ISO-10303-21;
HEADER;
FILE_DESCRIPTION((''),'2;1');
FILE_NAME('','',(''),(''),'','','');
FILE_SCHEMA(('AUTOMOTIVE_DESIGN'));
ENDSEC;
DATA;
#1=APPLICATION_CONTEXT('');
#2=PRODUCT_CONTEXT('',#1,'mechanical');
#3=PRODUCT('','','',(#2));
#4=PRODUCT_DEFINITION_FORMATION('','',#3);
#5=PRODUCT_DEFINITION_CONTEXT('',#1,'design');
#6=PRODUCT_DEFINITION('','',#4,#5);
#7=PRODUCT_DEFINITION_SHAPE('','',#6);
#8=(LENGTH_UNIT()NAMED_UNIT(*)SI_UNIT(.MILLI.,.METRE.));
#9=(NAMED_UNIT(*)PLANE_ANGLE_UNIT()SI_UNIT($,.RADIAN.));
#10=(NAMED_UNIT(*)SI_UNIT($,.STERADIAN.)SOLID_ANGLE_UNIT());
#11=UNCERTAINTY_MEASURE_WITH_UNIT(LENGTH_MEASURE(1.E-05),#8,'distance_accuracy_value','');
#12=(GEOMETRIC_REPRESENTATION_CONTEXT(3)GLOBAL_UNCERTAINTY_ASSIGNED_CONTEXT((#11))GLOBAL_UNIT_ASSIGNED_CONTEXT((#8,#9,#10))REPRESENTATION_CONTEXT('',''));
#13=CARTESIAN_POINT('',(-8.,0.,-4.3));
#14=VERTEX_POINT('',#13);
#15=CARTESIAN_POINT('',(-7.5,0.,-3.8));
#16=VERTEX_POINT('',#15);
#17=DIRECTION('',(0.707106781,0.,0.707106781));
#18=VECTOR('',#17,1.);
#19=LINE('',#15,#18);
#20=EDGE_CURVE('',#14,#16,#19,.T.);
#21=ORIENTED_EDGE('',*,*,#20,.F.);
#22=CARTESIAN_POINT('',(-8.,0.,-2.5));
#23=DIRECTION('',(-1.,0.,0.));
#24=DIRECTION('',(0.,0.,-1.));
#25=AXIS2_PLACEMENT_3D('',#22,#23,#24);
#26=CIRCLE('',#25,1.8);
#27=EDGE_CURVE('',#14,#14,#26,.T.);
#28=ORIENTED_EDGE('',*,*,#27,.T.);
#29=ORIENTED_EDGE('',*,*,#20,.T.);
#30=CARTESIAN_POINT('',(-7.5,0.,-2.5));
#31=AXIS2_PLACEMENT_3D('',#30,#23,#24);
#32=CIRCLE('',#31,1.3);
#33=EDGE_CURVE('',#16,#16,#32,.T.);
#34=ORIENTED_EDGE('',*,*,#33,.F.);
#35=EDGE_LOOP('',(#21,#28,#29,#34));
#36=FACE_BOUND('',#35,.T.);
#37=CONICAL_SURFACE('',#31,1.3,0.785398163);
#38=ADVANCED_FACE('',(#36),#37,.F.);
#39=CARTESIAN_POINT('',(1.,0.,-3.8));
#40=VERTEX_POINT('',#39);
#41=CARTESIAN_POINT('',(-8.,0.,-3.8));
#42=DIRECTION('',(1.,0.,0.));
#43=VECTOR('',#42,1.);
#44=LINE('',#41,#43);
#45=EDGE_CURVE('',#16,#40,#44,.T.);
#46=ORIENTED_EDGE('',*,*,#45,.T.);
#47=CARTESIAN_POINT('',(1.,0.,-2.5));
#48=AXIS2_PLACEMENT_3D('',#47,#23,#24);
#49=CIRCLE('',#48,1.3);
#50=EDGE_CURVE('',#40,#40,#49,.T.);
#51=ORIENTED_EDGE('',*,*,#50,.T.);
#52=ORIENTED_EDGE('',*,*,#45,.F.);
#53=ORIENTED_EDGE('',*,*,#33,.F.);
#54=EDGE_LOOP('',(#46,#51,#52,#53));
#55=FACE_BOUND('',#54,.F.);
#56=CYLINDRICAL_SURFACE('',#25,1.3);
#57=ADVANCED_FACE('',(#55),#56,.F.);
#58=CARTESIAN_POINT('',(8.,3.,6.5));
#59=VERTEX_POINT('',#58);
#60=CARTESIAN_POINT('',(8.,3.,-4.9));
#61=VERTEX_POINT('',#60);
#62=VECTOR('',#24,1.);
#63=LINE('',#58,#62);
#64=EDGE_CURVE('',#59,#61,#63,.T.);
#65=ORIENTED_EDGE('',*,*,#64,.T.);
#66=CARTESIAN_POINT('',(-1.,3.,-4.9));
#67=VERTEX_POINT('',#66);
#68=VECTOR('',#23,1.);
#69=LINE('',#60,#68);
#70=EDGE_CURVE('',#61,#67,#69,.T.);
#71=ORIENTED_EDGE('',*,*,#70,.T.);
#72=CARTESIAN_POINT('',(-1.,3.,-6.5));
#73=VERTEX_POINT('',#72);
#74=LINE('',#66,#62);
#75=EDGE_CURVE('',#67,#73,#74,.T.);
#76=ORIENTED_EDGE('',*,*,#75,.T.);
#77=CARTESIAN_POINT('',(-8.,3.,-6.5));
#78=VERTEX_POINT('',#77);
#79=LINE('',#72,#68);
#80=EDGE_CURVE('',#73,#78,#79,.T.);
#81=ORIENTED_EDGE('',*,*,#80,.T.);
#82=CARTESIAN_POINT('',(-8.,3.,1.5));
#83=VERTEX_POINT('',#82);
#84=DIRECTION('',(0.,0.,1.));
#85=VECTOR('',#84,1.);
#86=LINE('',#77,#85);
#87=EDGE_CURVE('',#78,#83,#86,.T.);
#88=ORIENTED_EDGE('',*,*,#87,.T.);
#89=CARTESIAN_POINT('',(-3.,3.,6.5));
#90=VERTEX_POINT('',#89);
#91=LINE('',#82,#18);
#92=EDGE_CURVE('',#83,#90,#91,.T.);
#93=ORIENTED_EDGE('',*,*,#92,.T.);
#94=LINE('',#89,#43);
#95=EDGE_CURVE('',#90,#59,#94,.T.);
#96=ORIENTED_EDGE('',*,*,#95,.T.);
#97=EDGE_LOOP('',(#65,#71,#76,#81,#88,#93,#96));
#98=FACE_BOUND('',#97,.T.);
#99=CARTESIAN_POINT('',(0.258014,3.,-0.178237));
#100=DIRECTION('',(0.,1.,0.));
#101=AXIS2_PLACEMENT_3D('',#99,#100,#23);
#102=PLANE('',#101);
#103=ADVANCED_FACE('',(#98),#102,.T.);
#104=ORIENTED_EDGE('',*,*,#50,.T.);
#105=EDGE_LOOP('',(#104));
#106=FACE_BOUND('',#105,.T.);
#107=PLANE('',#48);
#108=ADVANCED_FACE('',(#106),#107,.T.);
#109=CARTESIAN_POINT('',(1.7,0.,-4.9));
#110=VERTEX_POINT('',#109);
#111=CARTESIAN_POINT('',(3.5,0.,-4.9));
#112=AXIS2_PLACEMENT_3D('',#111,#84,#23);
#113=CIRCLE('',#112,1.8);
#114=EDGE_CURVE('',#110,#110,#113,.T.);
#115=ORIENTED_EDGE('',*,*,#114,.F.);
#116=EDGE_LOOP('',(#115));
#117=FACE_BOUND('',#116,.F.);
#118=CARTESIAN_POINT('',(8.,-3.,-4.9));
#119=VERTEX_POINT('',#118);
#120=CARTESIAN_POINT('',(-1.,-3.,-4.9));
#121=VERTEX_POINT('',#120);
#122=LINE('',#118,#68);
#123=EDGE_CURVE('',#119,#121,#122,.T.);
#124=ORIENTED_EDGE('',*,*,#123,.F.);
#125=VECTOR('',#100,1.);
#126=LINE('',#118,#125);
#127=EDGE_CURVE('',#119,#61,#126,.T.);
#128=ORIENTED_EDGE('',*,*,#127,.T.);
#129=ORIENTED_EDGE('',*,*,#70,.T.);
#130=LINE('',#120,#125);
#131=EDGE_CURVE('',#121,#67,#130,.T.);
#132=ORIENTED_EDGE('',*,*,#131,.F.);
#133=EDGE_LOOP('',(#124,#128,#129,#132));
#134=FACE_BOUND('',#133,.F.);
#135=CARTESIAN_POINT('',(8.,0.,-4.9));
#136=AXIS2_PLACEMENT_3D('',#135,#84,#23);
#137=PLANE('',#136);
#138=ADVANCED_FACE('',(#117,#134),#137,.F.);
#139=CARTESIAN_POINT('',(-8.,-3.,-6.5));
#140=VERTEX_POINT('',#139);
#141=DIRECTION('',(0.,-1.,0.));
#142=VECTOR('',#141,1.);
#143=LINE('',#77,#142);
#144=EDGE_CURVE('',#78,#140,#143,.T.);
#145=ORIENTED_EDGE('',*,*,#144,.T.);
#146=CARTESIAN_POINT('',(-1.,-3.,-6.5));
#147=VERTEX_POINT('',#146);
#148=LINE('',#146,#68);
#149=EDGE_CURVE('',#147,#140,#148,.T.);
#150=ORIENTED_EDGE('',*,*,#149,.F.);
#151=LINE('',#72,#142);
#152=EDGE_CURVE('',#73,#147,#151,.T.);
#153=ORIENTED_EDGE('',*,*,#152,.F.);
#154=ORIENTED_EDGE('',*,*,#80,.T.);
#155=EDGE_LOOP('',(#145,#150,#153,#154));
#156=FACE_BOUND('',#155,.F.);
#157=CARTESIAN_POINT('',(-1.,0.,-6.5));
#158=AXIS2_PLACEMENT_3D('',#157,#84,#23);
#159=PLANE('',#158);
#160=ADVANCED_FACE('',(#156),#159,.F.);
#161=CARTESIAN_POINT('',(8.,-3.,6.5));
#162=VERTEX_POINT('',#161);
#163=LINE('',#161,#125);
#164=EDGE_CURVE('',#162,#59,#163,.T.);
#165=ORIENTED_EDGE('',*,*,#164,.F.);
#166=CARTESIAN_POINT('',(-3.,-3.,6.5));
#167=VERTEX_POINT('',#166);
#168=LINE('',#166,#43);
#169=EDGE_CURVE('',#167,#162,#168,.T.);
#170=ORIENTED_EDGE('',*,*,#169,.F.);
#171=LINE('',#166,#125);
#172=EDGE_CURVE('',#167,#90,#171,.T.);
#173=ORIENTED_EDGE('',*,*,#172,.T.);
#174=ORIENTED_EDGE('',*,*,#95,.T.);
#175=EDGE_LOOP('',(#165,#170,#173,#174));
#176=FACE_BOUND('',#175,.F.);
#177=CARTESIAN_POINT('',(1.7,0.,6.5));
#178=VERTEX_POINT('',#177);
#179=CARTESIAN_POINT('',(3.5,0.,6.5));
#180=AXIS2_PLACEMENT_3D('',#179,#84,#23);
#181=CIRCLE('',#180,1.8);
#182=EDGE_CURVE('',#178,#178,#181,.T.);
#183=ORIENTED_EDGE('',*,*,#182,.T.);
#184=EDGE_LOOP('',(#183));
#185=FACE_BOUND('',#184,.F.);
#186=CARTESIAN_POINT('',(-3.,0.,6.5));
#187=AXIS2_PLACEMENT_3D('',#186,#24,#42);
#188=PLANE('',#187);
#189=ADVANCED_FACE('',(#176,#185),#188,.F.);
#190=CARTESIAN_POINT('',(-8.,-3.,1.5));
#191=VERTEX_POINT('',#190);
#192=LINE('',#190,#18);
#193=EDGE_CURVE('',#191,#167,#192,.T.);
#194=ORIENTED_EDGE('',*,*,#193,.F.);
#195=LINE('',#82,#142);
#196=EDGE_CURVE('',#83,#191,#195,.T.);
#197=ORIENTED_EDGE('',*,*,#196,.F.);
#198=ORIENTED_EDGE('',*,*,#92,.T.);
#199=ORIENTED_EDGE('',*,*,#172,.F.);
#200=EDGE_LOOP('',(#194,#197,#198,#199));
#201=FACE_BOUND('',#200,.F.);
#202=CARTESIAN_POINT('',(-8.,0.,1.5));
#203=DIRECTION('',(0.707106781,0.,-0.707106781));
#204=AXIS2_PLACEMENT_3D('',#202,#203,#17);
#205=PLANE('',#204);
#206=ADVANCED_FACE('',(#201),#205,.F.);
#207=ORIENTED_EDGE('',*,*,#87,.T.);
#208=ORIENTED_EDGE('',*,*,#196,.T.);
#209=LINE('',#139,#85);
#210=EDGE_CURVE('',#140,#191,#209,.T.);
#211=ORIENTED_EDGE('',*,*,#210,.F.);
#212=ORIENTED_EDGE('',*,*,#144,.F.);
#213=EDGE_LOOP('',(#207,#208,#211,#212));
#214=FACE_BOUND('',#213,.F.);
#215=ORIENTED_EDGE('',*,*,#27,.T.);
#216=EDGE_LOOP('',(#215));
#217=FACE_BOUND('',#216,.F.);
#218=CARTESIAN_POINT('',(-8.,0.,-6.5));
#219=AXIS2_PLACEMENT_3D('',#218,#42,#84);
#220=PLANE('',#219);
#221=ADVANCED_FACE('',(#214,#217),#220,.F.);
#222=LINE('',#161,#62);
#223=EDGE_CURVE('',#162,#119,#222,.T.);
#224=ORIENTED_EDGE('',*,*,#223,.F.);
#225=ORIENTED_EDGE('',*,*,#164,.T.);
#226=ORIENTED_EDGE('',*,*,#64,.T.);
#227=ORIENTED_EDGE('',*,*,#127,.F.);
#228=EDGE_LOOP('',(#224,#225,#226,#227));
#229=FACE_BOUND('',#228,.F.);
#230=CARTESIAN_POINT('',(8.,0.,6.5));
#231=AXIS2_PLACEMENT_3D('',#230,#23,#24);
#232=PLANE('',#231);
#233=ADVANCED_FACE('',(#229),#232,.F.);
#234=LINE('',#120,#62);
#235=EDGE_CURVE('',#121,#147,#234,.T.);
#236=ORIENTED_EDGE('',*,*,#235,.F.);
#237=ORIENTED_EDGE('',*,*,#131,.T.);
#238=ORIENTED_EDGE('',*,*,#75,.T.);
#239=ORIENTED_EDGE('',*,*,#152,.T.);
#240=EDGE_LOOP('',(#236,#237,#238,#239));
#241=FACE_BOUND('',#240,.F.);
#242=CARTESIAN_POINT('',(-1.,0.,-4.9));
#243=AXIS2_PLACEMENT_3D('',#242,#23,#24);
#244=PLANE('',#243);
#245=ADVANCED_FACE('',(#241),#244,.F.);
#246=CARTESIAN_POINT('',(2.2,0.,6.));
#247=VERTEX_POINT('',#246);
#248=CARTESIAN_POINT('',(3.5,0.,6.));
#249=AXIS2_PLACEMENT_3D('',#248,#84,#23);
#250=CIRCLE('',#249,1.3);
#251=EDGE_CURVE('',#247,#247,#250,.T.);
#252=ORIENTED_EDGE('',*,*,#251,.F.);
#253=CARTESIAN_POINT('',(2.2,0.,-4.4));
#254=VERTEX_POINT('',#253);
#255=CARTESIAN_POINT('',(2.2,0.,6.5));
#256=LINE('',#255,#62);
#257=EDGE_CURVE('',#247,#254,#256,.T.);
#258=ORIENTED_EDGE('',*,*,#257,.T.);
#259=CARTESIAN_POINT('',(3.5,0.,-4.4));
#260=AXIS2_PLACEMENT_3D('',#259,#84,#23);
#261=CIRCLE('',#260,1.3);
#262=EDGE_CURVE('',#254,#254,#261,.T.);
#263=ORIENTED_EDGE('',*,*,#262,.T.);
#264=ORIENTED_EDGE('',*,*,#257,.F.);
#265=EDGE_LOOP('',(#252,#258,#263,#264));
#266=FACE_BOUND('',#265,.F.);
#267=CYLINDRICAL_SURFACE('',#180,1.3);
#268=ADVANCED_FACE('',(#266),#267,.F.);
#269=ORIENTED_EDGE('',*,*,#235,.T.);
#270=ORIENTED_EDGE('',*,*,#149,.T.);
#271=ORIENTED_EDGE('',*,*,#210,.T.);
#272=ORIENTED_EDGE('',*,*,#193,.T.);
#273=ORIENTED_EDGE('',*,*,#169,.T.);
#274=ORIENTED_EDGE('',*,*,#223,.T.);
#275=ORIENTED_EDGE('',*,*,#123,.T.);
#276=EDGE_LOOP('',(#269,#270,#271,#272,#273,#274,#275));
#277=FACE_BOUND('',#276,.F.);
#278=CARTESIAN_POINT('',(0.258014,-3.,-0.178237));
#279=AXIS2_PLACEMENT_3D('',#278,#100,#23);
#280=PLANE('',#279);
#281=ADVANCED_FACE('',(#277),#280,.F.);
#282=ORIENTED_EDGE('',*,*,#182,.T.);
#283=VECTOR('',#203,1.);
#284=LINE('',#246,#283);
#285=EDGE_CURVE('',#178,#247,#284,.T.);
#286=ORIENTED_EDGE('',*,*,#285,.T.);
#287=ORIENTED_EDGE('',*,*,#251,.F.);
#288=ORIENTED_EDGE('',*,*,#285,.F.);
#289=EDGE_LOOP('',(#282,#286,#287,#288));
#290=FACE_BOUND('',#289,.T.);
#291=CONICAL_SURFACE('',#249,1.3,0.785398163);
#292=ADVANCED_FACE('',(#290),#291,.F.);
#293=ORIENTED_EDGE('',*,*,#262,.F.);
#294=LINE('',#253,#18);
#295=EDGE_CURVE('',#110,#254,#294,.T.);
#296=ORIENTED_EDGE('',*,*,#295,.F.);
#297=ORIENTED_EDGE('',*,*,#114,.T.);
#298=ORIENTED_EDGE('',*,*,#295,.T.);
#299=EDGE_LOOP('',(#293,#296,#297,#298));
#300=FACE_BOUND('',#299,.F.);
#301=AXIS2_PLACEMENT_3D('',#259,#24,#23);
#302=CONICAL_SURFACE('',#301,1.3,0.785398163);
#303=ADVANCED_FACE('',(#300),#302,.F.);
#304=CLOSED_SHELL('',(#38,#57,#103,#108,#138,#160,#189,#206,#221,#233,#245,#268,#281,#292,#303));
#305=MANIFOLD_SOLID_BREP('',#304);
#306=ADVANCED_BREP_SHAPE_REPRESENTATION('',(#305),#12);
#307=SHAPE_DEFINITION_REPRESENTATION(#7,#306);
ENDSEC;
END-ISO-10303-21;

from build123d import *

# Parameters (mm, degrees)
PAD_DEPTH       = 3
SKETCH001_R     = 1.3
POCKET_DEPTH    = 11.4
SKETCH002_R     = 1.3
POCKET001_DEPTH = 9
CHAMFER_SIZE    = 0.5


with BuildPart() as part:
    # Sketch → Pad (new body, symmetric)
    with BuildSketch(Plane.XZ):
        Polygon((-8, 1.5), (-3, 6.5), (8, 6.5), (8, -4.9), (-1, -4.9), (-1, -6.5), (-8, -6.5), align=None)
    extrude(amount=PAD_DEPTH, both=True)

    # Sketch001 → Pocket (cut)
    with BuildSketch(Plane(origin=(0, 0, 6.5), x_dir=(-1, 0, 0), z_dir=(0, 0, 1))):
        with Locations((-3.5, 0)):
            Circle(SKETCH001_R)
    extrude(amount=-POCKET_DEPTH, mode=Mode.SUBTRACT)

    # Sketch002 → Pocket001 (cut)
    with BuildSketch(Plane(origin=(-8, 0, 0), x_dir=(0, 0, -1), z_dir=(-1, 0, 0))):
        with Locations((2.5, 0)):
            Circle(SKETCH002_R)
    extrude(amount=-POCKET001_DEPTH, mode=Mode.SUBTRACT)

    # Chamfer
    chamfer_edges = [part.edges().sort_by_distance(p)[0] for p in [
        (-8, 0, -1.2),
        (4.8, 0, 6.5),
        (4.8, 0, -4.9),
    ]]
    chamfer(chamfer_edges, length=CHAMFER_SIZE)


solid = part.part
